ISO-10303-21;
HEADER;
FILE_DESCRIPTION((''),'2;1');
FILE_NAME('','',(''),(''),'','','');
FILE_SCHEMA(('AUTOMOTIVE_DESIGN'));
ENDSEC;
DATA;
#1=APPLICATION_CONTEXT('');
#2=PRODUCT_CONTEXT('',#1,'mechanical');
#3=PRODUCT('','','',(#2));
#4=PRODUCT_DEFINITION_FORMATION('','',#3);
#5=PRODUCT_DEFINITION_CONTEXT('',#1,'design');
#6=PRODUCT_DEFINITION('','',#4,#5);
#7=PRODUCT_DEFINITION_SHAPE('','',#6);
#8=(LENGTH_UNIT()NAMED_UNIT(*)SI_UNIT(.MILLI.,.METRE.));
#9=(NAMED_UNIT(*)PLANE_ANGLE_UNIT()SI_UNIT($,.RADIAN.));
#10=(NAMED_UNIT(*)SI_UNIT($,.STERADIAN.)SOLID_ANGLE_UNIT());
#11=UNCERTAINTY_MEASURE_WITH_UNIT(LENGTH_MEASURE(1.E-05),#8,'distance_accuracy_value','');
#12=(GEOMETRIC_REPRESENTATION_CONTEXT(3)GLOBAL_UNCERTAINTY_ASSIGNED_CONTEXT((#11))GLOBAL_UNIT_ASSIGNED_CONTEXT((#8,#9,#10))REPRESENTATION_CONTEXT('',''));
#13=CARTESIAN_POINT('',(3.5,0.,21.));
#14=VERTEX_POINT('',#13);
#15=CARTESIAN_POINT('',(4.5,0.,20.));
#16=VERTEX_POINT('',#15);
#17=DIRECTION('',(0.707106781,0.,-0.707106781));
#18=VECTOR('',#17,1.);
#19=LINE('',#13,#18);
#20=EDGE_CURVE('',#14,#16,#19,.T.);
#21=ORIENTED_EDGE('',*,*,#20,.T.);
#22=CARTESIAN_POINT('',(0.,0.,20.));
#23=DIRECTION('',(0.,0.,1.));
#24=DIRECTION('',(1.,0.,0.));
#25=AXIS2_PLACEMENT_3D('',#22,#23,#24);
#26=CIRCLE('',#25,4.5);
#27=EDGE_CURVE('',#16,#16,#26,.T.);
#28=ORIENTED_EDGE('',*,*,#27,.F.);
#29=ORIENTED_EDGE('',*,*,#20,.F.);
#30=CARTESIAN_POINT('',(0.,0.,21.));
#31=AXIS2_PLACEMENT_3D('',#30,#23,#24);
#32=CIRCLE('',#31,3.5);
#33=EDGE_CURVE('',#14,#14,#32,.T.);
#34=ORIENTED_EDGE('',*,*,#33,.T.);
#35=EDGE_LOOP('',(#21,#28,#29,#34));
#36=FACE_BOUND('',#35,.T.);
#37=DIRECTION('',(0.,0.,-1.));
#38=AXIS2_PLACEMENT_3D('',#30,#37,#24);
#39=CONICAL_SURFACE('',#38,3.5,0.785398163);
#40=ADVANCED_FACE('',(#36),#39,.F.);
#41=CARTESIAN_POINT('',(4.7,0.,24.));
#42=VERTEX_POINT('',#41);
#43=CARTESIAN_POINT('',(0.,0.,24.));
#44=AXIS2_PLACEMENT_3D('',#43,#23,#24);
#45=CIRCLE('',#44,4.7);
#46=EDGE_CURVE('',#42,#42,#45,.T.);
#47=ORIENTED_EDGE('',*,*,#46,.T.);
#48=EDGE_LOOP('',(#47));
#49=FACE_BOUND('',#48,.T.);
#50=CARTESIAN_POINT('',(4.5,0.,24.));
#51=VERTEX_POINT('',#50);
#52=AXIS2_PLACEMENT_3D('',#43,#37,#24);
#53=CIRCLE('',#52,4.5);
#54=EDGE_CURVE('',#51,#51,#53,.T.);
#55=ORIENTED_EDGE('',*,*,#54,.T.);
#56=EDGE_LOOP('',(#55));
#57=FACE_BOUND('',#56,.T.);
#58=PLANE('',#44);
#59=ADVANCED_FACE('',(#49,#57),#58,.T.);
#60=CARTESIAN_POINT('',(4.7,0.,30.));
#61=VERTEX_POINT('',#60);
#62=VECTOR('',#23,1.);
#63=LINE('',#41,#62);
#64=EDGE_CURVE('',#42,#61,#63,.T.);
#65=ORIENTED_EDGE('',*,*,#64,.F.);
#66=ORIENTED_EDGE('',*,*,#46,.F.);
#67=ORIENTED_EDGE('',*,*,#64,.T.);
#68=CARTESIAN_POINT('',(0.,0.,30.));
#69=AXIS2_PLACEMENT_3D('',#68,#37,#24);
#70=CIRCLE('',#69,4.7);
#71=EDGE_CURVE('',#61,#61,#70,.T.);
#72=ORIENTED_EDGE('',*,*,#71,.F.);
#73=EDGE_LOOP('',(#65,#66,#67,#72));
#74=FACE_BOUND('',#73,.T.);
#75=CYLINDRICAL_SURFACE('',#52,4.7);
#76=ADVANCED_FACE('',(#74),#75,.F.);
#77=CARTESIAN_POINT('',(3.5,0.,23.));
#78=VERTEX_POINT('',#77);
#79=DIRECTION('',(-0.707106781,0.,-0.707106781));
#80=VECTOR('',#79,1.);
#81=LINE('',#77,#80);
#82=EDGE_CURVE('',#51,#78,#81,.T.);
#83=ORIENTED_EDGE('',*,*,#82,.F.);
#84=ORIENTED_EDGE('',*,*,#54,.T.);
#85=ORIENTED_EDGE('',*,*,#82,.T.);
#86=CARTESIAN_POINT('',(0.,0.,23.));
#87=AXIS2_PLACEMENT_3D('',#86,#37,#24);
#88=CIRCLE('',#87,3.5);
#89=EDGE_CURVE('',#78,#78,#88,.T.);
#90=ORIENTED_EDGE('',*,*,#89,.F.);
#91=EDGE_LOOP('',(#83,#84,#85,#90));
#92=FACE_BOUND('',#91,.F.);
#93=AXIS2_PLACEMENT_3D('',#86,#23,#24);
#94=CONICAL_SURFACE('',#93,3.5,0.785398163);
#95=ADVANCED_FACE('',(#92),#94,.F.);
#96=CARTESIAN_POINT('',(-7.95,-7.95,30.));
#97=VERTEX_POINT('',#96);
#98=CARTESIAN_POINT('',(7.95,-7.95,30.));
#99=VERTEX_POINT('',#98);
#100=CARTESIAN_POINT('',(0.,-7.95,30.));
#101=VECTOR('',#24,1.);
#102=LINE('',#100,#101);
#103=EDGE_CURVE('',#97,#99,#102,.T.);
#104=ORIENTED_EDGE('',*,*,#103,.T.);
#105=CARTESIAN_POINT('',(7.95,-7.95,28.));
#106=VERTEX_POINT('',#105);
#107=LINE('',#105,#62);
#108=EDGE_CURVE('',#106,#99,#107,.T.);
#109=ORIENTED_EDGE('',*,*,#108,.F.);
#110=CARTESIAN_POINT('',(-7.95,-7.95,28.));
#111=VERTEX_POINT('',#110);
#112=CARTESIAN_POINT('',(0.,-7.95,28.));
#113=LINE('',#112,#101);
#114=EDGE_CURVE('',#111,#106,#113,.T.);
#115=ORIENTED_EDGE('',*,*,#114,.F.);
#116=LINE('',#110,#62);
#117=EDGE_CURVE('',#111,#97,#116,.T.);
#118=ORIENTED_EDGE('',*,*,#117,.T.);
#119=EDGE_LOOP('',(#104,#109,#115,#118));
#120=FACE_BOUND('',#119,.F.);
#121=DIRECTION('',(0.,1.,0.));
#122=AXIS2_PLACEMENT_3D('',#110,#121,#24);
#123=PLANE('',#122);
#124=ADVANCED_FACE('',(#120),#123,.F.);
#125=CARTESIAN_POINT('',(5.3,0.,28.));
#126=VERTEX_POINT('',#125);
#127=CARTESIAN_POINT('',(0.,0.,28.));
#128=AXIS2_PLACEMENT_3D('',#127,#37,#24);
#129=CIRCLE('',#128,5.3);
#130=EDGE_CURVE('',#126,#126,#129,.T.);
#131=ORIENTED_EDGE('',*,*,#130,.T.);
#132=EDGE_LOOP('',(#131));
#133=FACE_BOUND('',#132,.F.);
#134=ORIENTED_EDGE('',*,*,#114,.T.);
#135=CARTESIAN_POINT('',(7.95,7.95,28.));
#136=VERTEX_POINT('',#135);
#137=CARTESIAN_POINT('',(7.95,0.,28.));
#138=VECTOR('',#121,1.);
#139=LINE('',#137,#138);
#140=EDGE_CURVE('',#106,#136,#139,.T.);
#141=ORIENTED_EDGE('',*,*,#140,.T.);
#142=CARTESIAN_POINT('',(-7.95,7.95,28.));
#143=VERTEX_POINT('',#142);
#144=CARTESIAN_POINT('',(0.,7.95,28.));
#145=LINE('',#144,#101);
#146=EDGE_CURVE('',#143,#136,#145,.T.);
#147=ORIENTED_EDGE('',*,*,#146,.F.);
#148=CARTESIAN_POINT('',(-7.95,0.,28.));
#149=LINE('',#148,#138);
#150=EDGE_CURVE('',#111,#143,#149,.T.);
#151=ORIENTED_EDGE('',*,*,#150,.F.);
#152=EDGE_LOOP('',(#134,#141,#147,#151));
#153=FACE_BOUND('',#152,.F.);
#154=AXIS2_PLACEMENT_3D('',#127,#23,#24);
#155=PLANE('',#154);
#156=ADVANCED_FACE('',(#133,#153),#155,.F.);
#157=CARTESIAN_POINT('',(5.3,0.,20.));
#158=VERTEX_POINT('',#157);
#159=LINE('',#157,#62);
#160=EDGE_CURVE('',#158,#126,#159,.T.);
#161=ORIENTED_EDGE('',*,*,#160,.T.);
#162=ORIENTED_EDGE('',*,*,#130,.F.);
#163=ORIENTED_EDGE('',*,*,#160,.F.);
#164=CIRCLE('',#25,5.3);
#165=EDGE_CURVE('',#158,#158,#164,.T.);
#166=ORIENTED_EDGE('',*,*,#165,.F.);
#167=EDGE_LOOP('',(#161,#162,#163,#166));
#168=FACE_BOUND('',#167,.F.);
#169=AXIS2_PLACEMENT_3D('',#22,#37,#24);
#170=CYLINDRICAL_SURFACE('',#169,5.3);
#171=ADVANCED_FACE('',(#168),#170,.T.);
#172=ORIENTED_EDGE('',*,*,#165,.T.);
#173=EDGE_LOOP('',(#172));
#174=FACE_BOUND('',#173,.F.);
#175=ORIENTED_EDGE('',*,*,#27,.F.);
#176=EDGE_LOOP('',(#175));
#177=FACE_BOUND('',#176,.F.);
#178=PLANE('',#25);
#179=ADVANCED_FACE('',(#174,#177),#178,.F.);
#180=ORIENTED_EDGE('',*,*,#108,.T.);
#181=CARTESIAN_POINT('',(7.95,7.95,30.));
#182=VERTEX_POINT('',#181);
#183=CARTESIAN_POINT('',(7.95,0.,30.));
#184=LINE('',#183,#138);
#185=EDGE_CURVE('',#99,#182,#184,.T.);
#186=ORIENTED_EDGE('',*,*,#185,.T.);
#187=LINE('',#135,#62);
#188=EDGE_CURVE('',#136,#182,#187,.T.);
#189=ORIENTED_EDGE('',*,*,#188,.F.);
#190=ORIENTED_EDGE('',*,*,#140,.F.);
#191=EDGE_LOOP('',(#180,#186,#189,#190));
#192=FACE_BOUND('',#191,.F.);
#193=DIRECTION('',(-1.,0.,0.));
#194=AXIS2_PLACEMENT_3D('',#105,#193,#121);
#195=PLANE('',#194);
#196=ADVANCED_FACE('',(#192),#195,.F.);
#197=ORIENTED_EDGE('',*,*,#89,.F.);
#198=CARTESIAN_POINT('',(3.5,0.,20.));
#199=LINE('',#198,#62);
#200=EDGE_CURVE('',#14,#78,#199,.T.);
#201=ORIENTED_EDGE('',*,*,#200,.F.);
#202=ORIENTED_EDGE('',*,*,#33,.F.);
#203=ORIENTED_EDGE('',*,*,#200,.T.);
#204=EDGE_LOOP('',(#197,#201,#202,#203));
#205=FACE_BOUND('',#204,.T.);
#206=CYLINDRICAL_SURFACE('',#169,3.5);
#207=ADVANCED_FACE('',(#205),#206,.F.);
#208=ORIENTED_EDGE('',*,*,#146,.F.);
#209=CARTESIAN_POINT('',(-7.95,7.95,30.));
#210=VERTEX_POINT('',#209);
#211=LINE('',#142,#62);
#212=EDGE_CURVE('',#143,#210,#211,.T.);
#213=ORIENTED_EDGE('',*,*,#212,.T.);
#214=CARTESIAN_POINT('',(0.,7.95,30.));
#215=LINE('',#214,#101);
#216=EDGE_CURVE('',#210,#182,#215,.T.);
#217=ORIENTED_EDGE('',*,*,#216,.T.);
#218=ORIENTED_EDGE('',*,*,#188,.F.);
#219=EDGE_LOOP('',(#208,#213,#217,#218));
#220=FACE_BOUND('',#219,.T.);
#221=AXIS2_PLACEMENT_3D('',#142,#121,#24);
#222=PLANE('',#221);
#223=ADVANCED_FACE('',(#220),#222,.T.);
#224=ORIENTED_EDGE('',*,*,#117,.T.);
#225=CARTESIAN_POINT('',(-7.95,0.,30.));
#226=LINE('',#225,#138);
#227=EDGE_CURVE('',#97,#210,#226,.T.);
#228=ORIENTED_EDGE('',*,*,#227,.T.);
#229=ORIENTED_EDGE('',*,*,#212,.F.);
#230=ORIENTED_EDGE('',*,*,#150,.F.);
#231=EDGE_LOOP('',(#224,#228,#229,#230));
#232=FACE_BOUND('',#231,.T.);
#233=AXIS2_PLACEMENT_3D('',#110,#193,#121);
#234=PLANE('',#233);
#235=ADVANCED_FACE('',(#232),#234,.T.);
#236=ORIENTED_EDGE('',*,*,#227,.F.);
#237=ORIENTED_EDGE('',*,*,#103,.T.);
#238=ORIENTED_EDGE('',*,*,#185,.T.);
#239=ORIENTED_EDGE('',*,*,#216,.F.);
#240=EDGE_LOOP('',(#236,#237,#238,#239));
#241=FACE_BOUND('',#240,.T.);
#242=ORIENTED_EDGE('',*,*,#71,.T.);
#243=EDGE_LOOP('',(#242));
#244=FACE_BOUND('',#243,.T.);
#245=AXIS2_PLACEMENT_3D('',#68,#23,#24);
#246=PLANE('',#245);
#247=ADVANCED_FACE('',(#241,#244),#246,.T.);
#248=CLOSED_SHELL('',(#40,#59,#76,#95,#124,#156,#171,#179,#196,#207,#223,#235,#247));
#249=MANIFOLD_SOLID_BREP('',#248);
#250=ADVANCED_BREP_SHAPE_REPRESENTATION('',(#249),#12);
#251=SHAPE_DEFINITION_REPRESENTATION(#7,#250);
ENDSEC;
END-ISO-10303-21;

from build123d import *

# Parameters (mm, degrees)
CYLINDER010_R     = 4.7
CYLINDER010_DEPTH = 10
CYLINDER009_R     = 3.5
CYLINDER009_DEPTH = 10
BOX004_W          = 15.9
BOX004_H          = 15.9
BOX004_DEPTH      = 2
CYLINDER008_R     = 5.3
CYLINDER008_DEPTH = 10
CHAMFER_SIZE      = 1
CHAMFER001_SIZE   = 1


with BuildPart() as lochschraubeoben:
    # Cylinder010 → Cylinder010 (new body)
    with BuildSketch(Plane.XY.offset(24)):
        Circle(CYLINDER010_R)
    extrude(amount=CYLINDER010_DEPTH)


with BuildPart() as zylinder:
    # Cylinder009 → Cylinder009 (new body)
    with BuildSketch(Plane.XY.offset(20)):
        Circle(CYLINDER009_R)
    extrude(amount=CYLINDER009_DEPTH)


with BuildPart() as w_rfel:
    # Box004 → Box004 (new body)
    with BuildSketch(Plane(origin=(-7.95, -7.95, 28), x_dir=(1, 0, 0), z_dir=(0, 0, 1))):
        with Locations((7.95, 7.95)):
            Rectangle(BOX004_W, BOX004_H)
    extrude(amount=BOX004_DEPTH)


with BuildPart() as bolt:
    # Cylinder008 → Cylinder008 (new body)
    with BuildSketch(Plane.XY.offset(20)):
        Circle(CYLINDER008_R)
    extrude(amount=CYLINDER008_DEPTH)

    # Fusion004: union Würfel
    add(w_rfel.part)

    # Cut003: cut Zylinder
    add(zylinder.part, mode=Mode.SUBTRACT)

    # Cut004: cut LochSchraubeOben
    add(lochschraubeoben.part, mode=Mode.SUBTRACT)

    # Chamfer
    chamfer_edges = [bolt.edges().sort_by_distance(p)[0] for p in [
        (-3.5, 0, 24),
    ]]
    chamfer(chamfer_edges, length=CHAMFER_SIZE)

    # Chamfer001
    chamfer001_edges = [bolt.edges().sort_by_distance(p)[0] for p in [
        (-3.5, 0, 20),
    ]]
    chamfer(chamfer001_edges, length=CHAMFER001_SIZE)


solid = bolt.part
